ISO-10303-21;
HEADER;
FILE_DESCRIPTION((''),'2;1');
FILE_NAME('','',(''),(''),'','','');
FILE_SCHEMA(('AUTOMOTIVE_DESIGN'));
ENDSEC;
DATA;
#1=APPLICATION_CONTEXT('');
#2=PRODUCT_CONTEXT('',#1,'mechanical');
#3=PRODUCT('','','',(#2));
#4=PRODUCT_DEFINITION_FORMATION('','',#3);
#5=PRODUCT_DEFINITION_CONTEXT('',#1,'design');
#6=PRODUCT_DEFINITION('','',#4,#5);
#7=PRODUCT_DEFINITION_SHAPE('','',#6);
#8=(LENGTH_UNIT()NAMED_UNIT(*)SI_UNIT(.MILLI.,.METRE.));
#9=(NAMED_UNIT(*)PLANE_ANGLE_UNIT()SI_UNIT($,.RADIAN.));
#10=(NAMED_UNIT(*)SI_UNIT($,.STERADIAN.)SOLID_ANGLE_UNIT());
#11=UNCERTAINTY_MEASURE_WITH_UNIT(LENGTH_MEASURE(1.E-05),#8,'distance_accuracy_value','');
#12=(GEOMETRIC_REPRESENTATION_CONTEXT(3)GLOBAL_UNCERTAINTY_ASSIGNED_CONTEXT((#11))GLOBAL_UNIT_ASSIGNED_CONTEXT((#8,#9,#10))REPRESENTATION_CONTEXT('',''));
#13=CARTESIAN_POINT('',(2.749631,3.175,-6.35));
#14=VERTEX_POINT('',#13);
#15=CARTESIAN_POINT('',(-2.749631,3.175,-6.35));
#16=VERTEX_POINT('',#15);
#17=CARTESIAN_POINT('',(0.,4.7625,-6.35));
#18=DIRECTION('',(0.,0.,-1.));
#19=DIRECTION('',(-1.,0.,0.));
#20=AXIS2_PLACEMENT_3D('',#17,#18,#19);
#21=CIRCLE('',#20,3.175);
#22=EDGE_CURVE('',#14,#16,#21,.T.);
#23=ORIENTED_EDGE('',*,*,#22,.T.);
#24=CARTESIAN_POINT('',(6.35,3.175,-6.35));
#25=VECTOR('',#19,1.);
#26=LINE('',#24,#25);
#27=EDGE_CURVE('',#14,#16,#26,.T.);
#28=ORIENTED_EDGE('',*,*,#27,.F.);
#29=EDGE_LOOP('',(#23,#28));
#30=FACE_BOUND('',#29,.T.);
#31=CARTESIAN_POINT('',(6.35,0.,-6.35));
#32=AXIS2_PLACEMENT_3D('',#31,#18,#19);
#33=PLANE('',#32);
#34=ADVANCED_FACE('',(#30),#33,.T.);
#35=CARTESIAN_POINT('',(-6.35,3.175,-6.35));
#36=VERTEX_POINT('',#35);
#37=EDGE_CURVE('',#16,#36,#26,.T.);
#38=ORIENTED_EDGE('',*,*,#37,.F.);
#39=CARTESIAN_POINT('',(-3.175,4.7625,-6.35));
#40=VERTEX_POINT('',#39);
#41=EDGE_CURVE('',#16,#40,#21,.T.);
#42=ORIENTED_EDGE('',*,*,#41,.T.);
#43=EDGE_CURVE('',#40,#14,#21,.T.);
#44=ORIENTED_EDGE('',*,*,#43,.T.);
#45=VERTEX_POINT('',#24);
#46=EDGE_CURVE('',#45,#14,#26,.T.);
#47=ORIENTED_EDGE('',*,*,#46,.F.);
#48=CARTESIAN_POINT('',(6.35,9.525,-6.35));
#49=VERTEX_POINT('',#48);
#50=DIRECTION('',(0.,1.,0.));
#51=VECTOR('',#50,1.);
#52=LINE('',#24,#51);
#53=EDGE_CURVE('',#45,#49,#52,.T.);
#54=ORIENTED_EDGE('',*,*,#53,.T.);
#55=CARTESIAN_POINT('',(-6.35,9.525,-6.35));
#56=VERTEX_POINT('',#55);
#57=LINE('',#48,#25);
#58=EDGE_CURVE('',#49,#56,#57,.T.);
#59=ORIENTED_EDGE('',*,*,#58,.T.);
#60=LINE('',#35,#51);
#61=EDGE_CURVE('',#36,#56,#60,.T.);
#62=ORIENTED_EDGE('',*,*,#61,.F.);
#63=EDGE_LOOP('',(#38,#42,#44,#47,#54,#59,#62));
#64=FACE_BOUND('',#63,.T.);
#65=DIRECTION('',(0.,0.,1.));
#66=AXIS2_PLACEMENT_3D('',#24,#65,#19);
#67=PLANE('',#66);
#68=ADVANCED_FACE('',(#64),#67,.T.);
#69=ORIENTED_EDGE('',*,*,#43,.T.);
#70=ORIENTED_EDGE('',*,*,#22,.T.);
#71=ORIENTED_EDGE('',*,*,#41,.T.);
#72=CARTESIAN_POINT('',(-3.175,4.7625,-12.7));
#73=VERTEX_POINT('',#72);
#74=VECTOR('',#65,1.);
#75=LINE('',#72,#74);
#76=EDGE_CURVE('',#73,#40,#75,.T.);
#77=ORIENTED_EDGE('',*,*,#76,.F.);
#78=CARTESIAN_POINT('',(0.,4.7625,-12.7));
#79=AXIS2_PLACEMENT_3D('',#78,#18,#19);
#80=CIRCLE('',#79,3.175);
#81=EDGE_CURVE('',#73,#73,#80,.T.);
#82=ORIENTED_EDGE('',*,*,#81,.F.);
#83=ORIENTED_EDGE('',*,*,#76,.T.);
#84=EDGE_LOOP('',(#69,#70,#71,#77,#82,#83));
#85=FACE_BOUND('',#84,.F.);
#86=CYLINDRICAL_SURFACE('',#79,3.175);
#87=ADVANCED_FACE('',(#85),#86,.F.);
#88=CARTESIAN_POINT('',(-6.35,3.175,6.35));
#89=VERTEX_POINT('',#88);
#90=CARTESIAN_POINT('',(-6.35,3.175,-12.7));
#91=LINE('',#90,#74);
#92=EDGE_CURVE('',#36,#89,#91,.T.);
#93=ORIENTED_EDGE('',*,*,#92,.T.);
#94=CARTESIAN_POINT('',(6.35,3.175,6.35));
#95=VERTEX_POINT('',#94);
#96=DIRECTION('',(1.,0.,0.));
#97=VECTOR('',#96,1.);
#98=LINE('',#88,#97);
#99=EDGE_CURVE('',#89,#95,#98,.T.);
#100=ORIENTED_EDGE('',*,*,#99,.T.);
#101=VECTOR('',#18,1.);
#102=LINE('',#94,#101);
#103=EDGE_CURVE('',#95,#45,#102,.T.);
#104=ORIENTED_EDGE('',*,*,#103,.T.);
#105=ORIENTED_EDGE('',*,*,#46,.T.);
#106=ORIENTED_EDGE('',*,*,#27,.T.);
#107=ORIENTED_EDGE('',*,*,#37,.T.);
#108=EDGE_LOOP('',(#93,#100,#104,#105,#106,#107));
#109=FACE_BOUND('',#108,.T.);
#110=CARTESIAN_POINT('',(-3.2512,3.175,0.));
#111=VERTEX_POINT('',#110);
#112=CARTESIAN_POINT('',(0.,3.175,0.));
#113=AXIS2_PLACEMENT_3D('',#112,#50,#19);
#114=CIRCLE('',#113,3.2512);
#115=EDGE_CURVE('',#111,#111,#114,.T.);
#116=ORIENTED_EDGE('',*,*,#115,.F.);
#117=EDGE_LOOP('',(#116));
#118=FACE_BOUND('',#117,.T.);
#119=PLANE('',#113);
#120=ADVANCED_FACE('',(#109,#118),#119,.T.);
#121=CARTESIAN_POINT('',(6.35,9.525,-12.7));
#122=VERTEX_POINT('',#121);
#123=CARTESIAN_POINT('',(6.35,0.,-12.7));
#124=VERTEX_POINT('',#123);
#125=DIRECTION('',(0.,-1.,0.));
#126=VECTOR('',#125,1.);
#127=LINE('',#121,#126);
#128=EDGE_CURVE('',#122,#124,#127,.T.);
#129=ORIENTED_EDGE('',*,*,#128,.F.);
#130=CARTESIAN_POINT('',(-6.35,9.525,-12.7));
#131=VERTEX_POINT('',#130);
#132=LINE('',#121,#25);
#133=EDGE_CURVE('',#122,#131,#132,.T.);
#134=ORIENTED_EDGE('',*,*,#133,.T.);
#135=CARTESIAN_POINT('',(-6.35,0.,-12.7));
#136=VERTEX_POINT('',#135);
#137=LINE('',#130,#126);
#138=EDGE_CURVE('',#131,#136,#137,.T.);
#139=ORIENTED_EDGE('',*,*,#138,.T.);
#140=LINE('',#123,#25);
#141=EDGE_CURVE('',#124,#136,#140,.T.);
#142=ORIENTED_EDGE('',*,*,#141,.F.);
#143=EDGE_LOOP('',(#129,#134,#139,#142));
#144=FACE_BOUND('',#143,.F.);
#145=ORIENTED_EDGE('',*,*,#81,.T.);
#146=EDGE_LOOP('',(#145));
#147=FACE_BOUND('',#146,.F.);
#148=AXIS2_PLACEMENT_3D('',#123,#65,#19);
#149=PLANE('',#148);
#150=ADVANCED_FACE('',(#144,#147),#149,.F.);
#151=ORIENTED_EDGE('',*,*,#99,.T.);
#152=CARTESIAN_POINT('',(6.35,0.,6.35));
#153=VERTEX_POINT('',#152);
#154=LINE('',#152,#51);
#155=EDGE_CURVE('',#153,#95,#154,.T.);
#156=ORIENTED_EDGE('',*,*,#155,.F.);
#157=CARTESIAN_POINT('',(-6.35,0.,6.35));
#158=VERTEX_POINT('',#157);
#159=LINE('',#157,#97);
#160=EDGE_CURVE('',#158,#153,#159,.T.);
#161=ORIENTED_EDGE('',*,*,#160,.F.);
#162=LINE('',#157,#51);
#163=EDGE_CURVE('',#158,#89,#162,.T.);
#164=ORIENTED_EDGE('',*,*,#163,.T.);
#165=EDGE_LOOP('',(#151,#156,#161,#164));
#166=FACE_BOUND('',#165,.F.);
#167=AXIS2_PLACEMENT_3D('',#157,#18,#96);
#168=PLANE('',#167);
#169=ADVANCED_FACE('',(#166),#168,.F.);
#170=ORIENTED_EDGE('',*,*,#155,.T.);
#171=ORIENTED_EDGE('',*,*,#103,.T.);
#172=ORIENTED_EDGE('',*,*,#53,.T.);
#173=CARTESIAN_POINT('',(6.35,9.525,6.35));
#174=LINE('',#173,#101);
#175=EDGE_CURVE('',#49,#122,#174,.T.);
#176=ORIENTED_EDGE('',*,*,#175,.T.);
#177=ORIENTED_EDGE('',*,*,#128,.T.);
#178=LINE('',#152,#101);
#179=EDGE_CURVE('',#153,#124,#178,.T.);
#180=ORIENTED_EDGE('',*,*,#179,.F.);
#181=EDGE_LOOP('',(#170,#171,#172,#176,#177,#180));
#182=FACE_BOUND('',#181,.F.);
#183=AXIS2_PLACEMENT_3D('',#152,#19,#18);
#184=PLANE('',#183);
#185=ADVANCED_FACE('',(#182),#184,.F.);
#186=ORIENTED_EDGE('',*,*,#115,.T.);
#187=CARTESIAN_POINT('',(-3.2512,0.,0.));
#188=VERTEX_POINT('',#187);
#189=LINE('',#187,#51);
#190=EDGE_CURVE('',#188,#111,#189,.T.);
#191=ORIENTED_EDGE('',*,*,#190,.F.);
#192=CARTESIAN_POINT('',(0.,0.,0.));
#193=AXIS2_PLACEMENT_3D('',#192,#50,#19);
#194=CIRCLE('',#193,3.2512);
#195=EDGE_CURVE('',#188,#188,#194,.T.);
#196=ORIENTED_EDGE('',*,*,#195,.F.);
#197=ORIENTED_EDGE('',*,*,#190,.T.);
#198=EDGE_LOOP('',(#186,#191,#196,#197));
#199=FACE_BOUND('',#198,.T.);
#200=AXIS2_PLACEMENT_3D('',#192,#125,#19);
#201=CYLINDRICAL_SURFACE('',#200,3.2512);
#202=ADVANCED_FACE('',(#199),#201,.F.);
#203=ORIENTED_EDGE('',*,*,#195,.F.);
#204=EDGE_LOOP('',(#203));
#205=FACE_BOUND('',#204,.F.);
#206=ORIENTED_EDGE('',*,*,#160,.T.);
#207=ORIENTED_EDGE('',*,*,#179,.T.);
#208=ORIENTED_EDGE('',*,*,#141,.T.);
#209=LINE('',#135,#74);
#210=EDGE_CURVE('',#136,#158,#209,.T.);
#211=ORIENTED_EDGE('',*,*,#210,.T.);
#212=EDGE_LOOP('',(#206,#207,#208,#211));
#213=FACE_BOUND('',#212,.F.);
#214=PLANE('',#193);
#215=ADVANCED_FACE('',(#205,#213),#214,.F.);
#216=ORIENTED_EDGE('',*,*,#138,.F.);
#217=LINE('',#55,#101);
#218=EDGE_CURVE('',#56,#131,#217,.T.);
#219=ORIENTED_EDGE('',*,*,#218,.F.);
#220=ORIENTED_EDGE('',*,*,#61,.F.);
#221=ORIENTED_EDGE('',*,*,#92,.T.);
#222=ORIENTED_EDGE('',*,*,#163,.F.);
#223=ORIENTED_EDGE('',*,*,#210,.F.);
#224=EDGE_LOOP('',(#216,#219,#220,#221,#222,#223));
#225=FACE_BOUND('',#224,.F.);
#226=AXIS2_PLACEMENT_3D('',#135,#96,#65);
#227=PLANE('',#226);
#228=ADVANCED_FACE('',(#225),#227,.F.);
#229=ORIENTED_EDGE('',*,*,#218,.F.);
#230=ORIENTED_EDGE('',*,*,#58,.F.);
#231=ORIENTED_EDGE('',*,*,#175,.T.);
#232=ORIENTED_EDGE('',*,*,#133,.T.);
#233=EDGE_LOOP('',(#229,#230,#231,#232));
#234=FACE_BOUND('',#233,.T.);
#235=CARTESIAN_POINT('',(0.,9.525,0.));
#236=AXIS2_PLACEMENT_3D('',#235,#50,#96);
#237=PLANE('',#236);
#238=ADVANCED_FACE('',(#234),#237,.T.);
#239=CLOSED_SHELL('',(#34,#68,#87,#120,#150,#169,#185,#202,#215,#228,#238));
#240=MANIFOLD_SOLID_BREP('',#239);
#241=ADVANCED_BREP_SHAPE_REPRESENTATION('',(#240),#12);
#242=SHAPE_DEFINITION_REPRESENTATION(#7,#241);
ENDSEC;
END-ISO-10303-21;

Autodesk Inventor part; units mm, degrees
ref_plane "YZ Plane" through (0, 0, 0) normal (1, 0, 0) x (0, 1, 0)
ref_plane "XZ Plane" through (0, 0, 0) normal (0, 1, 0) x (-1, 0, 0)
ref_plane "XY Plane" through (0, 0, 0) normal (0, 0, 1) x (1, 0, 0)
sketch "Sketch1" plane through (0, 0, 0) normal (0, 1, 0) x (-1, 0, 0)
  circle A0 centre (0, 0) radius 3.2512
  line L0 (6.35, 6.35) -> (-6.35, 6.35)
  line L1 (-6.35, 6.35) -> (-6.35, -12.7)
  line L2 (-6.35, -12.7) -> (6.35, -12.7)
  line L3 (6.35, -12.7) -> (6.35, 6.35)
  point P0 (0, 6.35)
  dimension "d0" = 6.5024
  dimension "d1" = 12.7
  dimension "d2" = 19.05
  dimension "d3" = 6.35
extrude "Extrusion1" add sketch "Sketch1" along normal blind 3.175
sketch "Sketch2" plane through (0, 3.175, 0) normal (0, 1, 0) x (1, 0, 0)
  line L0 (6.35, 12.7) -> (-6.35, 12.7) projected
  line L1 (6.35, -6.35) -> (6.35, 12.7) projected
  line L2 (-6.35, 12.7) -> (6.35, 12.7)
  line L3 (6.35, 12.7) -> (6.35, 6.35)
  line L4 (6.35, 6.35) -> (-6.35, 6.35)
  line L5 (-6.35, 6.35) -> (-6.35, 12.7)
  point P0 (0, 0)
  dimension "d6" = 6.35
extrude "Extrusion2" add sketch "Sketch2" along normal blind 6.35
sketch "Sketch3" plane through (6.35, 0, -12.7) normal (0, 0, -1) x (-1, 0, 0)
  circle A0 centre (6.35, 4.7625) radius 3.175
  line L0 (12.7, 0) -> (12.7, 9.525) projected
  line L1 (0, 9.525) -> (12.7, 9.525) projected
  point P0 (6.35, 0)
  point P1 (12.7, 4.7625)
  point P2 (6.35, 9.525)
  dimension "d9" = 6.35
extrude "Extrusion3" cut sketch "Sketch3" against normal up to surface (6.35 mm away)
properties part number "OUTK_022_BadPivot" material "Aluminum 6061"
